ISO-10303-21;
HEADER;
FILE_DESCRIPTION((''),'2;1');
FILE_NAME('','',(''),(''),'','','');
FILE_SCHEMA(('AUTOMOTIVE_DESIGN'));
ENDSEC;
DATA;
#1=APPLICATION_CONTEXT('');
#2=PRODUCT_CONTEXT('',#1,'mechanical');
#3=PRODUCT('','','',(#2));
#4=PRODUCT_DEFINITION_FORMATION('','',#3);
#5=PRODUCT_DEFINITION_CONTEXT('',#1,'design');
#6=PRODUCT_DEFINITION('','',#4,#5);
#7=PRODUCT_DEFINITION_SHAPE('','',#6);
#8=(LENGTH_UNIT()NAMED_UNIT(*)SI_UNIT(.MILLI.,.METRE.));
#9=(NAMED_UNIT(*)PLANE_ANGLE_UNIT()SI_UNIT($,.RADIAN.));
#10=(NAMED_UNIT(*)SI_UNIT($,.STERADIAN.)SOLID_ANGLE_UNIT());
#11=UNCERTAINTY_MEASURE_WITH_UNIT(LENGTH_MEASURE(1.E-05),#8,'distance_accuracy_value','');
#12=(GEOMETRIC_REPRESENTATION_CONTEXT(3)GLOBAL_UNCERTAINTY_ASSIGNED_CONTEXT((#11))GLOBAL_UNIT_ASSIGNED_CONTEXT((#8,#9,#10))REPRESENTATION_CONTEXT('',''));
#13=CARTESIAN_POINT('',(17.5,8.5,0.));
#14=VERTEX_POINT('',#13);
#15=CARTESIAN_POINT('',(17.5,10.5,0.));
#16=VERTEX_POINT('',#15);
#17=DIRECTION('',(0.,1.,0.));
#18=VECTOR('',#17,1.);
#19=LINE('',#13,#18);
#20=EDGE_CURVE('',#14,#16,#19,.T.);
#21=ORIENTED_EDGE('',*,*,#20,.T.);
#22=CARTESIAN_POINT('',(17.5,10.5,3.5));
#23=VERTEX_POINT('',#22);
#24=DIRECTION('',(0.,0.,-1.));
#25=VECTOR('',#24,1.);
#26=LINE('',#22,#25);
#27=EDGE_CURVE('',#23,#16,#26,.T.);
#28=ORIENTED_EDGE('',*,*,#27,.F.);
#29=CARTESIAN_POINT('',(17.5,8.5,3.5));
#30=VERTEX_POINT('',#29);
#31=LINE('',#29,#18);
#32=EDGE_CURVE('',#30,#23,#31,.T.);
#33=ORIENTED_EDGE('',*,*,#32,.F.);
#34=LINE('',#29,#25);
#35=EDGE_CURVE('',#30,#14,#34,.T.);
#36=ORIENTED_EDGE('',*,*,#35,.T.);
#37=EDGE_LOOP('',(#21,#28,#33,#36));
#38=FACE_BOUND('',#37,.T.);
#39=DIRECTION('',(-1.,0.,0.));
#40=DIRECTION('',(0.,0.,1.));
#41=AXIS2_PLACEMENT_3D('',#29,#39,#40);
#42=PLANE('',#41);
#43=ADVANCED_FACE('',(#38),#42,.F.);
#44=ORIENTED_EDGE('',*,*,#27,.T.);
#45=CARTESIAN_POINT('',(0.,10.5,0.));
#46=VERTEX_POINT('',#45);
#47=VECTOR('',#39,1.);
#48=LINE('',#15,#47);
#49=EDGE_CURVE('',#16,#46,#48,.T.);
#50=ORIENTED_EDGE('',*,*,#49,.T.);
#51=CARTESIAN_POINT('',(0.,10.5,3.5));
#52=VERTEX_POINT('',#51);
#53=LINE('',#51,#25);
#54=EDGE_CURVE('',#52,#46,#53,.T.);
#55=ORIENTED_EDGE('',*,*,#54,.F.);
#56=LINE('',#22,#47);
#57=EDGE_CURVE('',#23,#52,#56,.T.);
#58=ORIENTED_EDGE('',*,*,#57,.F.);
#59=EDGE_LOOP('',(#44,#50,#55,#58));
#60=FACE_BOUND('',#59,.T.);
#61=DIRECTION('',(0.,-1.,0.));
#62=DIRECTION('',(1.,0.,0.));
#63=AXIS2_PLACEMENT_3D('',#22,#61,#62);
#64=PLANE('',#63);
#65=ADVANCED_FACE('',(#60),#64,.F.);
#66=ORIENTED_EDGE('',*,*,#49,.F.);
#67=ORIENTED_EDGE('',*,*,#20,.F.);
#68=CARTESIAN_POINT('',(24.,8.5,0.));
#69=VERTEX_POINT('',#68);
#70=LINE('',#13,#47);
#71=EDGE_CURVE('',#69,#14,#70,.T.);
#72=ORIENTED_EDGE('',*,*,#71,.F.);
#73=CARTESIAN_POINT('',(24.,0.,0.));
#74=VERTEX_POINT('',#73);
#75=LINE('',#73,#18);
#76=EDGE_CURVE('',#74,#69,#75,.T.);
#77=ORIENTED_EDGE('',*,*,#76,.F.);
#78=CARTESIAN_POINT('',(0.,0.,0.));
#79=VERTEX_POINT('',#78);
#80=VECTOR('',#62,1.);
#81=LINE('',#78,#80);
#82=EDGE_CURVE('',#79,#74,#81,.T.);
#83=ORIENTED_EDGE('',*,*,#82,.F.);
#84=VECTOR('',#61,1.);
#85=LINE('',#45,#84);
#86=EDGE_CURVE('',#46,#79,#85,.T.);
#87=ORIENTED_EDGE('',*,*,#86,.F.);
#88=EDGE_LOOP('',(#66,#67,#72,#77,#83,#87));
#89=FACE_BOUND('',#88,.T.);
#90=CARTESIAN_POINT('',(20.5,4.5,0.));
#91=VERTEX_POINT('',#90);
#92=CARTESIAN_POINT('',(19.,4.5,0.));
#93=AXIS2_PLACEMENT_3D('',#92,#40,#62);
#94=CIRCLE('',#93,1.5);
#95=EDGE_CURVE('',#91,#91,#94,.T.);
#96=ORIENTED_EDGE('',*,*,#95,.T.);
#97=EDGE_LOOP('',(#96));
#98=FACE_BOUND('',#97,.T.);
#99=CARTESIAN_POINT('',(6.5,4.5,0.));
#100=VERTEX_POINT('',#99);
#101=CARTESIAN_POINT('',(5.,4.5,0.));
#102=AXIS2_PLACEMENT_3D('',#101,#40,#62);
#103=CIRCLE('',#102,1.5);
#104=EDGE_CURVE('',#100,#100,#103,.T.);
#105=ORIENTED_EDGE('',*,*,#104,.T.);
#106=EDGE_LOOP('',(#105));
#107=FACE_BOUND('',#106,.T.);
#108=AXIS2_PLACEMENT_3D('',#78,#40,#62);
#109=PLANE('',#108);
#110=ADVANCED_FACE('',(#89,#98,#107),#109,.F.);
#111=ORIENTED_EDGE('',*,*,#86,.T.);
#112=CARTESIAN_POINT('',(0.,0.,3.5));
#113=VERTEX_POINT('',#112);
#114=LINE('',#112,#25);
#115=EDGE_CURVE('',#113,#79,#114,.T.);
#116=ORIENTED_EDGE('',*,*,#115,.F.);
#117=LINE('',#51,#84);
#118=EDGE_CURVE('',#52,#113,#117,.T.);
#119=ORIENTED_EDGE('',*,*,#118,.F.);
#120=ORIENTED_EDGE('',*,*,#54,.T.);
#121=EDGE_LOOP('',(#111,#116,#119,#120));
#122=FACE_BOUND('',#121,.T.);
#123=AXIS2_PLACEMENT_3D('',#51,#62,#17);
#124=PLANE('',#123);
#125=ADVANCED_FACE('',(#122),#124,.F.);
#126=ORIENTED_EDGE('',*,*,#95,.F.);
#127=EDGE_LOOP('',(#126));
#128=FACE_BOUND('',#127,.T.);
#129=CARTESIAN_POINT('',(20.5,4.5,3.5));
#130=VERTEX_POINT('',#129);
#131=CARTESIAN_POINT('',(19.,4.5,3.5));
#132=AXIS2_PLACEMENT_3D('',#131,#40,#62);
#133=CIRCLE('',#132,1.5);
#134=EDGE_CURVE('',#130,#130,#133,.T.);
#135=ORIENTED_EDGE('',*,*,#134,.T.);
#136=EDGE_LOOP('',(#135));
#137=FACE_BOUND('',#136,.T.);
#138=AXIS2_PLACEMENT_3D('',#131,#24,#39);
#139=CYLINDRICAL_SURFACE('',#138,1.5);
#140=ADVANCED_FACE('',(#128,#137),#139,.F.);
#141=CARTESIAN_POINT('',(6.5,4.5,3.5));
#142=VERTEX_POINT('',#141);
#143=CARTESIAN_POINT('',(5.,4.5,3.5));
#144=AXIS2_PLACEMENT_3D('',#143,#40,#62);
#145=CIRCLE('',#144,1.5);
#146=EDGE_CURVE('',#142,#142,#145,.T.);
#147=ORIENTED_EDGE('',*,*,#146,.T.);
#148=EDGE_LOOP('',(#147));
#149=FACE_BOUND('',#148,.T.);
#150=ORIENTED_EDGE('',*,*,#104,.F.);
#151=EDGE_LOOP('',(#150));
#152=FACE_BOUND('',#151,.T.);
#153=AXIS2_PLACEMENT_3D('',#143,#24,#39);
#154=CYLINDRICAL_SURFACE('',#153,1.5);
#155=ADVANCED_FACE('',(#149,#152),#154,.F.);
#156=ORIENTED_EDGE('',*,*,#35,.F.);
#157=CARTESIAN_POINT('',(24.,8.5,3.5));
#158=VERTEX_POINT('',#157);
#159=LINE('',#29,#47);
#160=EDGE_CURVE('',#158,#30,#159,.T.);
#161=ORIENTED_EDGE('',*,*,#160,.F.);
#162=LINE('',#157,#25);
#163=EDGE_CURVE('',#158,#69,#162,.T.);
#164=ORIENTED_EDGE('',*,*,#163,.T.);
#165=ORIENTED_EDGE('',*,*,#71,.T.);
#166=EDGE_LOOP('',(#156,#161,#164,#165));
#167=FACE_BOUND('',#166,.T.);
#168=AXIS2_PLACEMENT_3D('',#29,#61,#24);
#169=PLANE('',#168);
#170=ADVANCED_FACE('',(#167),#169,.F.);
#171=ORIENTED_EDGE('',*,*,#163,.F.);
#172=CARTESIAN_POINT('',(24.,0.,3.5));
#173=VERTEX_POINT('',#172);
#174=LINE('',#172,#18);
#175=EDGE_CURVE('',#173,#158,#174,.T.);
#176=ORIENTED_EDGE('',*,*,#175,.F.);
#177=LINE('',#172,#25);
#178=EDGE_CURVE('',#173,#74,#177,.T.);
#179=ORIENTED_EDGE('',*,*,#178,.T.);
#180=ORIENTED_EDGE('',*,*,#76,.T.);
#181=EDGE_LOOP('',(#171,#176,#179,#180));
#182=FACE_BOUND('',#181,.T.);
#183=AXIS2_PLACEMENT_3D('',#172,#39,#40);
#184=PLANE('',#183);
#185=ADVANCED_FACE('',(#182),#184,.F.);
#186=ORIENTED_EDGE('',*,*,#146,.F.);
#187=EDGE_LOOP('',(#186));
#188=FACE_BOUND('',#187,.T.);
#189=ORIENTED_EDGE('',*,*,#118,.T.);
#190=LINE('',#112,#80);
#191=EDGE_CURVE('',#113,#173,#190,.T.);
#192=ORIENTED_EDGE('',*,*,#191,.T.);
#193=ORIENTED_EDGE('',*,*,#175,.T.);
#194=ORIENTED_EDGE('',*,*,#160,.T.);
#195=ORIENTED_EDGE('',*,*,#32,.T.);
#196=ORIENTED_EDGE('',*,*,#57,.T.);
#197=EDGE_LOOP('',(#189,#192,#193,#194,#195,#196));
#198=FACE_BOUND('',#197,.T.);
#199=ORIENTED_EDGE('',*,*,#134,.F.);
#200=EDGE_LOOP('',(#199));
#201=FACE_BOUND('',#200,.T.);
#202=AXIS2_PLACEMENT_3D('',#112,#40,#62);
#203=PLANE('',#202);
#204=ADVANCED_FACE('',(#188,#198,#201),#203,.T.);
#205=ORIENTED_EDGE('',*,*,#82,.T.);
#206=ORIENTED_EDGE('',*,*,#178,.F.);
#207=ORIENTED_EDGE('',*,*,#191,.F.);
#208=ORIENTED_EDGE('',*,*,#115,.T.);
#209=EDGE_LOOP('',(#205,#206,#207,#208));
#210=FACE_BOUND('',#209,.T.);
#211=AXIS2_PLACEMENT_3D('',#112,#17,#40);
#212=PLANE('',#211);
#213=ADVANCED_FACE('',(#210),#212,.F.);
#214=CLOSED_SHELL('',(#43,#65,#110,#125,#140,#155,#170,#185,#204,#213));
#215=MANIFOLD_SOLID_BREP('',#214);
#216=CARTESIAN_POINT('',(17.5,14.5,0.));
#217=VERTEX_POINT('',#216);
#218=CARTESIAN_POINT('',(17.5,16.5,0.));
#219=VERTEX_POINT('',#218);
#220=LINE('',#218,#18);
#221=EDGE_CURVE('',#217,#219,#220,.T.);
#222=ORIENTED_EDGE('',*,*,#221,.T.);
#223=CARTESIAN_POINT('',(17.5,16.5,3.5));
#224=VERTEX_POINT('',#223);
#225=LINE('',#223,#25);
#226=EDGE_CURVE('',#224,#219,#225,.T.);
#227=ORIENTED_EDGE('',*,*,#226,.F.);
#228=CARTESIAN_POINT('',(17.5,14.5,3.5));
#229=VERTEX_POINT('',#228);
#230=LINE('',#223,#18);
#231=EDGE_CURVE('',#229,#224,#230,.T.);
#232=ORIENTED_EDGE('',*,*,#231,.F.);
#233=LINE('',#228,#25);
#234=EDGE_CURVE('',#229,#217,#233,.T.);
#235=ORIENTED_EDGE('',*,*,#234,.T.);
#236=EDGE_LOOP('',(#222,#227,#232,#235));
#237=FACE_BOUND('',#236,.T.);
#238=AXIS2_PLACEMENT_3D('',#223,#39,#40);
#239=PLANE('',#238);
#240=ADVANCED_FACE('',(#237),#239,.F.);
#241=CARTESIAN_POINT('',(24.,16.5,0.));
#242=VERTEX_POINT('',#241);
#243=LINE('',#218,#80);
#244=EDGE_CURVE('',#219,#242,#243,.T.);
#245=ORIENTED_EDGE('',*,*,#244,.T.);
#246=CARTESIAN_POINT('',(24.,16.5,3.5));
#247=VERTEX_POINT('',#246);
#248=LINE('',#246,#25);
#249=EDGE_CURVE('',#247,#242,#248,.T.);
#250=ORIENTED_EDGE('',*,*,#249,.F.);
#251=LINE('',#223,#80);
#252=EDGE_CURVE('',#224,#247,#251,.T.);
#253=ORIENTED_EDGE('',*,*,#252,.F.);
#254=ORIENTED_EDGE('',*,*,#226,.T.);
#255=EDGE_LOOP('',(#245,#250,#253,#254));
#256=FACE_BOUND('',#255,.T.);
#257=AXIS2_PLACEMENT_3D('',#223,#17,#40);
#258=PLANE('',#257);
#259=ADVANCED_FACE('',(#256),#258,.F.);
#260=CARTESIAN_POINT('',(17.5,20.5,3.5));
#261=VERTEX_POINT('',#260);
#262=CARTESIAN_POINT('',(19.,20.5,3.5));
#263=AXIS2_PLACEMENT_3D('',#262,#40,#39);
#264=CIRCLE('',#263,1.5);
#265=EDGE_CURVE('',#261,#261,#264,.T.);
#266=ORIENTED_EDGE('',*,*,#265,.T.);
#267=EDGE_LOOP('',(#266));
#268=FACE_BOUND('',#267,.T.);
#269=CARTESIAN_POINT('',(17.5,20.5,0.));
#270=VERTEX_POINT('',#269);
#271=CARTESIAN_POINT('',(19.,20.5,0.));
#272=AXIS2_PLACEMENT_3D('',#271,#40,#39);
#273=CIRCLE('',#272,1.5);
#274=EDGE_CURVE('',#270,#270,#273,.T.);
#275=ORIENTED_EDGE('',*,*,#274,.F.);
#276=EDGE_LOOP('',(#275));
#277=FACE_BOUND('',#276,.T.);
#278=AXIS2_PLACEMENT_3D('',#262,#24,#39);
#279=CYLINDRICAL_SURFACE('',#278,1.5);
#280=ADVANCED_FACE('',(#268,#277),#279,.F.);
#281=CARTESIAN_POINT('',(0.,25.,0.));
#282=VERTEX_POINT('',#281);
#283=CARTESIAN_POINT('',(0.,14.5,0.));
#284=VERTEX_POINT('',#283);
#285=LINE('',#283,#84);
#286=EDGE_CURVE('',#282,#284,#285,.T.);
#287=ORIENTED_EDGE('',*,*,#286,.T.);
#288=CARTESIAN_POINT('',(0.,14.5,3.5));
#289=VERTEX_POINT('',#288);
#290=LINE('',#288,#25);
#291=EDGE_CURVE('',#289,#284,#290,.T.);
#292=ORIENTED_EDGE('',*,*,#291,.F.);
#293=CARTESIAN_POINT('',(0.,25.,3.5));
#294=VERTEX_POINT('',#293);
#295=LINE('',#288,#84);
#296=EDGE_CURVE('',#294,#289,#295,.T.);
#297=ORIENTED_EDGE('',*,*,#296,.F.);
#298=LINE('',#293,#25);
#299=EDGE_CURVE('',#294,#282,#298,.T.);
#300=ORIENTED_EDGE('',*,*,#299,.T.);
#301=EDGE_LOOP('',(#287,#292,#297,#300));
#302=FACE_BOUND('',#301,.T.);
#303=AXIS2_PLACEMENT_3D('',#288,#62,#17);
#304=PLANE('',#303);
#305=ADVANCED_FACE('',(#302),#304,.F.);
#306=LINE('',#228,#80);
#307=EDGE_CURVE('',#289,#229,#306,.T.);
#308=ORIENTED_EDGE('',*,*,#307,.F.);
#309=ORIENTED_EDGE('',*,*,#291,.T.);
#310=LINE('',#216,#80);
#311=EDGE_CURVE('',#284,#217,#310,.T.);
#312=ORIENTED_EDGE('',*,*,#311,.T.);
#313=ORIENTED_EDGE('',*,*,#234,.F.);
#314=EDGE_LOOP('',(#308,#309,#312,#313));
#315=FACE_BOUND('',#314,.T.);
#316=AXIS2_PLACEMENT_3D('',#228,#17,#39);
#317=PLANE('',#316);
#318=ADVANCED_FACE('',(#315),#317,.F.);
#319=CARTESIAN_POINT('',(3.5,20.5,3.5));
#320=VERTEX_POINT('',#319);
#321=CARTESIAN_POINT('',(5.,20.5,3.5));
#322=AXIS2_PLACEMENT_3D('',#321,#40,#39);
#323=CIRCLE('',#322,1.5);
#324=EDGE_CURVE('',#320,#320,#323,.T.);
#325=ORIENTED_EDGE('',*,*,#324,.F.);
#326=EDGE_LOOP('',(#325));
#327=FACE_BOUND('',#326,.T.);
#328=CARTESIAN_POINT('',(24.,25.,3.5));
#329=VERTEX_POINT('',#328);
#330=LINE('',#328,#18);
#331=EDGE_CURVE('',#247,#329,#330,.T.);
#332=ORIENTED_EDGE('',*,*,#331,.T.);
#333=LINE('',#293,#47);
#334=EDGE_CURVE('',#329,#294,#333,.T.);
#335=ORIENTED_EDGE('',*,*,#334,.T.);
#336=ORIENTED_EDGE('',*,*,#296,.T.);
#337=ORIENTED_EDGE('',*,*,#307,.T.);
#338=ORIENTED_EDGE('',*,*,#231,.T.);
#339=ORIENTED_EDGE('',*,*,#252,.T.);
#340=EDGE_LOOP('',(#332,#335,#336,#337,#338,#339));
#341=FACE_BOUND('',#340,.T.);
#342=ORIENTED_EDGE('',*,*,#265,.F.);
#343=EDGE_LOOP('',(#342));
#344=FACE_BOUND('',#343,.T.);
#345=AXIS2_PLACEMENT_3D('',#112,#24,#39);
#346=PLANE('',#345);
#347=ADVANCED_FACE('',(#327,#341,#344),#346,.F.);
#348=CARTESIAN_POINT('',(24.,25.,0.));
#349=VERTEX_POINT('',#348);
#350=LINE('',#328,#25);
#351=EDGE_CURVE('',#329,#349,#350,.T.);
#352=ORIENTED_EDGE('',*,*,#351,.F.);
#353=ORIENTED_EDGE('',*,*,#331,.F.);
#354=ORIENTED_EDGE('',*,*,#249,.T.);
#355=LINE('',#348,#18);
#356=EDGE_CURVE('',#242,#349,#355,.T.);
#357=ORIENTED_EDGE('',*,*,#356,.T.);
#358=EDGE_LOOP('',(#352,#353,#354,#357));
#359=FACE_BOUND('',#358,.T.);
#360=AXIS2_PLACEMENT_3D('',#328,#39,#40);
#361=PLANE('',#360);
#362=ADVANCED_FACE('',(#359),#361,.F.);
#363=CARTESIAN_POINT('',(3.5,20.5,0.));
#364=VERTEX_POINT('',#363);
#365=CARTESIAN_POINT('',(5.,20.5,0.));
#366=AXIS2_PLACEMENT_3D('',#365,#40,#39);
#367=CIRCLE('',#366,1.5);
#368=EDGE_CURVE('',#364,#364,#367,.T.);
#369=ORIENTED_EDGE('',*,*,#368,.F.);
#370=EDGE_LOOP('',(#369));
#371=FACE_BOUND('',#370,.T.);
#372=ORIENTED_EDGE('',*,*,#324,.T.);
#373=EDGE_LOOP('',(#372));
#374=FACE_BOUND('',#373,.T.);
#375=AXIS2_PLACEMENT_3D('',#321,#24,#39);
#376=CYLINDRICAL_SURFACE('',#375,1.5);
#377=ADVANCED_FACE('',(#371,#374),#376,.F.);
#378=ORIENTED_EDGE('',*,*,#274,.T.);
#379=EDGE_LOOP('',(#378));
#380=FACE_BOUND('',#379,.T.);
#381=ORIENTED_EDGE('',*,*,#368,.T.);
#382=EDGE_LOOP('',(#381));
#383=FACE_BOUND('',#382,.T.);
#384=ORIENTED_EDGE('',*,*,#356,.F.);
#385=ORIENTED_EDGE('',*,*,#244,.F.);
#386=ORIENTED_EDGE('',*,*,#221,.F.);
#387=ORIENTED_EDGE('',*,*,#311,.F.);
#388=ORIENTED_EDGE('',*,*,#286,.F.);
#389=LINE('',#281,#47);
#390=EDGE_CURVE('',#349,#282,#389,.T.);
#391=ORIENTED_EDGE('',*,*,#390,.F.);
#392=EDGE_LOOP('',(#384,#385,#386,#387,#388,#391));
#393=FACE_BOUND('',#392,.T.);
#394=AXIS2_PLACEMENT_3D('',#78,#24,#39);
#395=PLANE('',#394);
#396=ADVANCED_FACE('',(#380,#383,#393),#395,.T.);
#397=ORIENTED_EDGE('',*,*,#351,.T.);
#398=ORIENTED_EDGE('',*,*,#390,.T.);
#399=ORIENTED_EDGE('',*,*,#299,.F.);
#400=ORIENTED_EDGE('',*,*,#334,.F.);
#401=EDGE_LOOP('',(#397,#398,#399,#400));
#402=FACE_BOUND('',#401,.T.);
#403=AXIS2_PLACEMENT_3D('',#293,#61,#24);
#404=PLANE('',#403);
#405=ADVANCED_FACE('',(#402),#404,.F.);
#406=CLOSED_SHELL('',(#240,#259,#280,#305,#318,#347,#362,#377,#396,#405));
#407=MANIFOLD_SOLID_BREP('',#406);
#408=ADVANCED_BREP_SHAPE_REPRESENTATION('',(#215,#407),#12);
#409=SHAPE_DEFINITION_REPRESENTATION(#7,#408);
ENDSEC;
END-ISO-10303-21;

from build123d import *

# Parameters (mm, degrees)
CROQUIS1_R                = 1.5
SALIENTE_EXTRUIR1_DEPTH   = 3.5
SALIENTE_EXTRUIR1_2_DEPTH = 3.5


with BuildPart() as part:
    # Croquis1 → Saliente-Extruir1 (new body)
    with BuildSketch(Plane.XY):
        Polygon((17.5, 8.5), (17.5, 10.5), (0, 10.5), (0, 0), (24, 0), (24, 8.5), align=None)
        with Locations((5, 4.5)):
            Circle(CROQUIS1_R, mode=Mode.SUBTRACT)
        with Locations((19, 4.5)):
            Circle(CROQUIS1_R, mode=Mode.SUBTRACT)
    extrude(amount=SALIENTE_EXTRUIR1_DEPTH)


with BuildPart() as body_2:
    # Croquis1 → Saliente-Extruir1 2 (new body)
    with BuildSketch(Plane.XY):
        Polygon((0, 14.5), (0, 25), (24, 25), (24, 16.5), (17.5, 16.5), (17.5, 14.5), align=None)
        with Locations(Location((19, 20.5, 0), (0, 0, 180))):
            Circle(CROQUIS1_R, mode=Mode.SUBTRACT)
        with Locations(Location((5, 20.5, 0), (0, 0, 180))):
            Circle(CROQUIS1_R, mode=Mode.SUBTRACT)
    extrude(amount=SALIENTE_EXTRUIR1_2_DEPTH)


solid = Compound([part.part, body_2.part])
